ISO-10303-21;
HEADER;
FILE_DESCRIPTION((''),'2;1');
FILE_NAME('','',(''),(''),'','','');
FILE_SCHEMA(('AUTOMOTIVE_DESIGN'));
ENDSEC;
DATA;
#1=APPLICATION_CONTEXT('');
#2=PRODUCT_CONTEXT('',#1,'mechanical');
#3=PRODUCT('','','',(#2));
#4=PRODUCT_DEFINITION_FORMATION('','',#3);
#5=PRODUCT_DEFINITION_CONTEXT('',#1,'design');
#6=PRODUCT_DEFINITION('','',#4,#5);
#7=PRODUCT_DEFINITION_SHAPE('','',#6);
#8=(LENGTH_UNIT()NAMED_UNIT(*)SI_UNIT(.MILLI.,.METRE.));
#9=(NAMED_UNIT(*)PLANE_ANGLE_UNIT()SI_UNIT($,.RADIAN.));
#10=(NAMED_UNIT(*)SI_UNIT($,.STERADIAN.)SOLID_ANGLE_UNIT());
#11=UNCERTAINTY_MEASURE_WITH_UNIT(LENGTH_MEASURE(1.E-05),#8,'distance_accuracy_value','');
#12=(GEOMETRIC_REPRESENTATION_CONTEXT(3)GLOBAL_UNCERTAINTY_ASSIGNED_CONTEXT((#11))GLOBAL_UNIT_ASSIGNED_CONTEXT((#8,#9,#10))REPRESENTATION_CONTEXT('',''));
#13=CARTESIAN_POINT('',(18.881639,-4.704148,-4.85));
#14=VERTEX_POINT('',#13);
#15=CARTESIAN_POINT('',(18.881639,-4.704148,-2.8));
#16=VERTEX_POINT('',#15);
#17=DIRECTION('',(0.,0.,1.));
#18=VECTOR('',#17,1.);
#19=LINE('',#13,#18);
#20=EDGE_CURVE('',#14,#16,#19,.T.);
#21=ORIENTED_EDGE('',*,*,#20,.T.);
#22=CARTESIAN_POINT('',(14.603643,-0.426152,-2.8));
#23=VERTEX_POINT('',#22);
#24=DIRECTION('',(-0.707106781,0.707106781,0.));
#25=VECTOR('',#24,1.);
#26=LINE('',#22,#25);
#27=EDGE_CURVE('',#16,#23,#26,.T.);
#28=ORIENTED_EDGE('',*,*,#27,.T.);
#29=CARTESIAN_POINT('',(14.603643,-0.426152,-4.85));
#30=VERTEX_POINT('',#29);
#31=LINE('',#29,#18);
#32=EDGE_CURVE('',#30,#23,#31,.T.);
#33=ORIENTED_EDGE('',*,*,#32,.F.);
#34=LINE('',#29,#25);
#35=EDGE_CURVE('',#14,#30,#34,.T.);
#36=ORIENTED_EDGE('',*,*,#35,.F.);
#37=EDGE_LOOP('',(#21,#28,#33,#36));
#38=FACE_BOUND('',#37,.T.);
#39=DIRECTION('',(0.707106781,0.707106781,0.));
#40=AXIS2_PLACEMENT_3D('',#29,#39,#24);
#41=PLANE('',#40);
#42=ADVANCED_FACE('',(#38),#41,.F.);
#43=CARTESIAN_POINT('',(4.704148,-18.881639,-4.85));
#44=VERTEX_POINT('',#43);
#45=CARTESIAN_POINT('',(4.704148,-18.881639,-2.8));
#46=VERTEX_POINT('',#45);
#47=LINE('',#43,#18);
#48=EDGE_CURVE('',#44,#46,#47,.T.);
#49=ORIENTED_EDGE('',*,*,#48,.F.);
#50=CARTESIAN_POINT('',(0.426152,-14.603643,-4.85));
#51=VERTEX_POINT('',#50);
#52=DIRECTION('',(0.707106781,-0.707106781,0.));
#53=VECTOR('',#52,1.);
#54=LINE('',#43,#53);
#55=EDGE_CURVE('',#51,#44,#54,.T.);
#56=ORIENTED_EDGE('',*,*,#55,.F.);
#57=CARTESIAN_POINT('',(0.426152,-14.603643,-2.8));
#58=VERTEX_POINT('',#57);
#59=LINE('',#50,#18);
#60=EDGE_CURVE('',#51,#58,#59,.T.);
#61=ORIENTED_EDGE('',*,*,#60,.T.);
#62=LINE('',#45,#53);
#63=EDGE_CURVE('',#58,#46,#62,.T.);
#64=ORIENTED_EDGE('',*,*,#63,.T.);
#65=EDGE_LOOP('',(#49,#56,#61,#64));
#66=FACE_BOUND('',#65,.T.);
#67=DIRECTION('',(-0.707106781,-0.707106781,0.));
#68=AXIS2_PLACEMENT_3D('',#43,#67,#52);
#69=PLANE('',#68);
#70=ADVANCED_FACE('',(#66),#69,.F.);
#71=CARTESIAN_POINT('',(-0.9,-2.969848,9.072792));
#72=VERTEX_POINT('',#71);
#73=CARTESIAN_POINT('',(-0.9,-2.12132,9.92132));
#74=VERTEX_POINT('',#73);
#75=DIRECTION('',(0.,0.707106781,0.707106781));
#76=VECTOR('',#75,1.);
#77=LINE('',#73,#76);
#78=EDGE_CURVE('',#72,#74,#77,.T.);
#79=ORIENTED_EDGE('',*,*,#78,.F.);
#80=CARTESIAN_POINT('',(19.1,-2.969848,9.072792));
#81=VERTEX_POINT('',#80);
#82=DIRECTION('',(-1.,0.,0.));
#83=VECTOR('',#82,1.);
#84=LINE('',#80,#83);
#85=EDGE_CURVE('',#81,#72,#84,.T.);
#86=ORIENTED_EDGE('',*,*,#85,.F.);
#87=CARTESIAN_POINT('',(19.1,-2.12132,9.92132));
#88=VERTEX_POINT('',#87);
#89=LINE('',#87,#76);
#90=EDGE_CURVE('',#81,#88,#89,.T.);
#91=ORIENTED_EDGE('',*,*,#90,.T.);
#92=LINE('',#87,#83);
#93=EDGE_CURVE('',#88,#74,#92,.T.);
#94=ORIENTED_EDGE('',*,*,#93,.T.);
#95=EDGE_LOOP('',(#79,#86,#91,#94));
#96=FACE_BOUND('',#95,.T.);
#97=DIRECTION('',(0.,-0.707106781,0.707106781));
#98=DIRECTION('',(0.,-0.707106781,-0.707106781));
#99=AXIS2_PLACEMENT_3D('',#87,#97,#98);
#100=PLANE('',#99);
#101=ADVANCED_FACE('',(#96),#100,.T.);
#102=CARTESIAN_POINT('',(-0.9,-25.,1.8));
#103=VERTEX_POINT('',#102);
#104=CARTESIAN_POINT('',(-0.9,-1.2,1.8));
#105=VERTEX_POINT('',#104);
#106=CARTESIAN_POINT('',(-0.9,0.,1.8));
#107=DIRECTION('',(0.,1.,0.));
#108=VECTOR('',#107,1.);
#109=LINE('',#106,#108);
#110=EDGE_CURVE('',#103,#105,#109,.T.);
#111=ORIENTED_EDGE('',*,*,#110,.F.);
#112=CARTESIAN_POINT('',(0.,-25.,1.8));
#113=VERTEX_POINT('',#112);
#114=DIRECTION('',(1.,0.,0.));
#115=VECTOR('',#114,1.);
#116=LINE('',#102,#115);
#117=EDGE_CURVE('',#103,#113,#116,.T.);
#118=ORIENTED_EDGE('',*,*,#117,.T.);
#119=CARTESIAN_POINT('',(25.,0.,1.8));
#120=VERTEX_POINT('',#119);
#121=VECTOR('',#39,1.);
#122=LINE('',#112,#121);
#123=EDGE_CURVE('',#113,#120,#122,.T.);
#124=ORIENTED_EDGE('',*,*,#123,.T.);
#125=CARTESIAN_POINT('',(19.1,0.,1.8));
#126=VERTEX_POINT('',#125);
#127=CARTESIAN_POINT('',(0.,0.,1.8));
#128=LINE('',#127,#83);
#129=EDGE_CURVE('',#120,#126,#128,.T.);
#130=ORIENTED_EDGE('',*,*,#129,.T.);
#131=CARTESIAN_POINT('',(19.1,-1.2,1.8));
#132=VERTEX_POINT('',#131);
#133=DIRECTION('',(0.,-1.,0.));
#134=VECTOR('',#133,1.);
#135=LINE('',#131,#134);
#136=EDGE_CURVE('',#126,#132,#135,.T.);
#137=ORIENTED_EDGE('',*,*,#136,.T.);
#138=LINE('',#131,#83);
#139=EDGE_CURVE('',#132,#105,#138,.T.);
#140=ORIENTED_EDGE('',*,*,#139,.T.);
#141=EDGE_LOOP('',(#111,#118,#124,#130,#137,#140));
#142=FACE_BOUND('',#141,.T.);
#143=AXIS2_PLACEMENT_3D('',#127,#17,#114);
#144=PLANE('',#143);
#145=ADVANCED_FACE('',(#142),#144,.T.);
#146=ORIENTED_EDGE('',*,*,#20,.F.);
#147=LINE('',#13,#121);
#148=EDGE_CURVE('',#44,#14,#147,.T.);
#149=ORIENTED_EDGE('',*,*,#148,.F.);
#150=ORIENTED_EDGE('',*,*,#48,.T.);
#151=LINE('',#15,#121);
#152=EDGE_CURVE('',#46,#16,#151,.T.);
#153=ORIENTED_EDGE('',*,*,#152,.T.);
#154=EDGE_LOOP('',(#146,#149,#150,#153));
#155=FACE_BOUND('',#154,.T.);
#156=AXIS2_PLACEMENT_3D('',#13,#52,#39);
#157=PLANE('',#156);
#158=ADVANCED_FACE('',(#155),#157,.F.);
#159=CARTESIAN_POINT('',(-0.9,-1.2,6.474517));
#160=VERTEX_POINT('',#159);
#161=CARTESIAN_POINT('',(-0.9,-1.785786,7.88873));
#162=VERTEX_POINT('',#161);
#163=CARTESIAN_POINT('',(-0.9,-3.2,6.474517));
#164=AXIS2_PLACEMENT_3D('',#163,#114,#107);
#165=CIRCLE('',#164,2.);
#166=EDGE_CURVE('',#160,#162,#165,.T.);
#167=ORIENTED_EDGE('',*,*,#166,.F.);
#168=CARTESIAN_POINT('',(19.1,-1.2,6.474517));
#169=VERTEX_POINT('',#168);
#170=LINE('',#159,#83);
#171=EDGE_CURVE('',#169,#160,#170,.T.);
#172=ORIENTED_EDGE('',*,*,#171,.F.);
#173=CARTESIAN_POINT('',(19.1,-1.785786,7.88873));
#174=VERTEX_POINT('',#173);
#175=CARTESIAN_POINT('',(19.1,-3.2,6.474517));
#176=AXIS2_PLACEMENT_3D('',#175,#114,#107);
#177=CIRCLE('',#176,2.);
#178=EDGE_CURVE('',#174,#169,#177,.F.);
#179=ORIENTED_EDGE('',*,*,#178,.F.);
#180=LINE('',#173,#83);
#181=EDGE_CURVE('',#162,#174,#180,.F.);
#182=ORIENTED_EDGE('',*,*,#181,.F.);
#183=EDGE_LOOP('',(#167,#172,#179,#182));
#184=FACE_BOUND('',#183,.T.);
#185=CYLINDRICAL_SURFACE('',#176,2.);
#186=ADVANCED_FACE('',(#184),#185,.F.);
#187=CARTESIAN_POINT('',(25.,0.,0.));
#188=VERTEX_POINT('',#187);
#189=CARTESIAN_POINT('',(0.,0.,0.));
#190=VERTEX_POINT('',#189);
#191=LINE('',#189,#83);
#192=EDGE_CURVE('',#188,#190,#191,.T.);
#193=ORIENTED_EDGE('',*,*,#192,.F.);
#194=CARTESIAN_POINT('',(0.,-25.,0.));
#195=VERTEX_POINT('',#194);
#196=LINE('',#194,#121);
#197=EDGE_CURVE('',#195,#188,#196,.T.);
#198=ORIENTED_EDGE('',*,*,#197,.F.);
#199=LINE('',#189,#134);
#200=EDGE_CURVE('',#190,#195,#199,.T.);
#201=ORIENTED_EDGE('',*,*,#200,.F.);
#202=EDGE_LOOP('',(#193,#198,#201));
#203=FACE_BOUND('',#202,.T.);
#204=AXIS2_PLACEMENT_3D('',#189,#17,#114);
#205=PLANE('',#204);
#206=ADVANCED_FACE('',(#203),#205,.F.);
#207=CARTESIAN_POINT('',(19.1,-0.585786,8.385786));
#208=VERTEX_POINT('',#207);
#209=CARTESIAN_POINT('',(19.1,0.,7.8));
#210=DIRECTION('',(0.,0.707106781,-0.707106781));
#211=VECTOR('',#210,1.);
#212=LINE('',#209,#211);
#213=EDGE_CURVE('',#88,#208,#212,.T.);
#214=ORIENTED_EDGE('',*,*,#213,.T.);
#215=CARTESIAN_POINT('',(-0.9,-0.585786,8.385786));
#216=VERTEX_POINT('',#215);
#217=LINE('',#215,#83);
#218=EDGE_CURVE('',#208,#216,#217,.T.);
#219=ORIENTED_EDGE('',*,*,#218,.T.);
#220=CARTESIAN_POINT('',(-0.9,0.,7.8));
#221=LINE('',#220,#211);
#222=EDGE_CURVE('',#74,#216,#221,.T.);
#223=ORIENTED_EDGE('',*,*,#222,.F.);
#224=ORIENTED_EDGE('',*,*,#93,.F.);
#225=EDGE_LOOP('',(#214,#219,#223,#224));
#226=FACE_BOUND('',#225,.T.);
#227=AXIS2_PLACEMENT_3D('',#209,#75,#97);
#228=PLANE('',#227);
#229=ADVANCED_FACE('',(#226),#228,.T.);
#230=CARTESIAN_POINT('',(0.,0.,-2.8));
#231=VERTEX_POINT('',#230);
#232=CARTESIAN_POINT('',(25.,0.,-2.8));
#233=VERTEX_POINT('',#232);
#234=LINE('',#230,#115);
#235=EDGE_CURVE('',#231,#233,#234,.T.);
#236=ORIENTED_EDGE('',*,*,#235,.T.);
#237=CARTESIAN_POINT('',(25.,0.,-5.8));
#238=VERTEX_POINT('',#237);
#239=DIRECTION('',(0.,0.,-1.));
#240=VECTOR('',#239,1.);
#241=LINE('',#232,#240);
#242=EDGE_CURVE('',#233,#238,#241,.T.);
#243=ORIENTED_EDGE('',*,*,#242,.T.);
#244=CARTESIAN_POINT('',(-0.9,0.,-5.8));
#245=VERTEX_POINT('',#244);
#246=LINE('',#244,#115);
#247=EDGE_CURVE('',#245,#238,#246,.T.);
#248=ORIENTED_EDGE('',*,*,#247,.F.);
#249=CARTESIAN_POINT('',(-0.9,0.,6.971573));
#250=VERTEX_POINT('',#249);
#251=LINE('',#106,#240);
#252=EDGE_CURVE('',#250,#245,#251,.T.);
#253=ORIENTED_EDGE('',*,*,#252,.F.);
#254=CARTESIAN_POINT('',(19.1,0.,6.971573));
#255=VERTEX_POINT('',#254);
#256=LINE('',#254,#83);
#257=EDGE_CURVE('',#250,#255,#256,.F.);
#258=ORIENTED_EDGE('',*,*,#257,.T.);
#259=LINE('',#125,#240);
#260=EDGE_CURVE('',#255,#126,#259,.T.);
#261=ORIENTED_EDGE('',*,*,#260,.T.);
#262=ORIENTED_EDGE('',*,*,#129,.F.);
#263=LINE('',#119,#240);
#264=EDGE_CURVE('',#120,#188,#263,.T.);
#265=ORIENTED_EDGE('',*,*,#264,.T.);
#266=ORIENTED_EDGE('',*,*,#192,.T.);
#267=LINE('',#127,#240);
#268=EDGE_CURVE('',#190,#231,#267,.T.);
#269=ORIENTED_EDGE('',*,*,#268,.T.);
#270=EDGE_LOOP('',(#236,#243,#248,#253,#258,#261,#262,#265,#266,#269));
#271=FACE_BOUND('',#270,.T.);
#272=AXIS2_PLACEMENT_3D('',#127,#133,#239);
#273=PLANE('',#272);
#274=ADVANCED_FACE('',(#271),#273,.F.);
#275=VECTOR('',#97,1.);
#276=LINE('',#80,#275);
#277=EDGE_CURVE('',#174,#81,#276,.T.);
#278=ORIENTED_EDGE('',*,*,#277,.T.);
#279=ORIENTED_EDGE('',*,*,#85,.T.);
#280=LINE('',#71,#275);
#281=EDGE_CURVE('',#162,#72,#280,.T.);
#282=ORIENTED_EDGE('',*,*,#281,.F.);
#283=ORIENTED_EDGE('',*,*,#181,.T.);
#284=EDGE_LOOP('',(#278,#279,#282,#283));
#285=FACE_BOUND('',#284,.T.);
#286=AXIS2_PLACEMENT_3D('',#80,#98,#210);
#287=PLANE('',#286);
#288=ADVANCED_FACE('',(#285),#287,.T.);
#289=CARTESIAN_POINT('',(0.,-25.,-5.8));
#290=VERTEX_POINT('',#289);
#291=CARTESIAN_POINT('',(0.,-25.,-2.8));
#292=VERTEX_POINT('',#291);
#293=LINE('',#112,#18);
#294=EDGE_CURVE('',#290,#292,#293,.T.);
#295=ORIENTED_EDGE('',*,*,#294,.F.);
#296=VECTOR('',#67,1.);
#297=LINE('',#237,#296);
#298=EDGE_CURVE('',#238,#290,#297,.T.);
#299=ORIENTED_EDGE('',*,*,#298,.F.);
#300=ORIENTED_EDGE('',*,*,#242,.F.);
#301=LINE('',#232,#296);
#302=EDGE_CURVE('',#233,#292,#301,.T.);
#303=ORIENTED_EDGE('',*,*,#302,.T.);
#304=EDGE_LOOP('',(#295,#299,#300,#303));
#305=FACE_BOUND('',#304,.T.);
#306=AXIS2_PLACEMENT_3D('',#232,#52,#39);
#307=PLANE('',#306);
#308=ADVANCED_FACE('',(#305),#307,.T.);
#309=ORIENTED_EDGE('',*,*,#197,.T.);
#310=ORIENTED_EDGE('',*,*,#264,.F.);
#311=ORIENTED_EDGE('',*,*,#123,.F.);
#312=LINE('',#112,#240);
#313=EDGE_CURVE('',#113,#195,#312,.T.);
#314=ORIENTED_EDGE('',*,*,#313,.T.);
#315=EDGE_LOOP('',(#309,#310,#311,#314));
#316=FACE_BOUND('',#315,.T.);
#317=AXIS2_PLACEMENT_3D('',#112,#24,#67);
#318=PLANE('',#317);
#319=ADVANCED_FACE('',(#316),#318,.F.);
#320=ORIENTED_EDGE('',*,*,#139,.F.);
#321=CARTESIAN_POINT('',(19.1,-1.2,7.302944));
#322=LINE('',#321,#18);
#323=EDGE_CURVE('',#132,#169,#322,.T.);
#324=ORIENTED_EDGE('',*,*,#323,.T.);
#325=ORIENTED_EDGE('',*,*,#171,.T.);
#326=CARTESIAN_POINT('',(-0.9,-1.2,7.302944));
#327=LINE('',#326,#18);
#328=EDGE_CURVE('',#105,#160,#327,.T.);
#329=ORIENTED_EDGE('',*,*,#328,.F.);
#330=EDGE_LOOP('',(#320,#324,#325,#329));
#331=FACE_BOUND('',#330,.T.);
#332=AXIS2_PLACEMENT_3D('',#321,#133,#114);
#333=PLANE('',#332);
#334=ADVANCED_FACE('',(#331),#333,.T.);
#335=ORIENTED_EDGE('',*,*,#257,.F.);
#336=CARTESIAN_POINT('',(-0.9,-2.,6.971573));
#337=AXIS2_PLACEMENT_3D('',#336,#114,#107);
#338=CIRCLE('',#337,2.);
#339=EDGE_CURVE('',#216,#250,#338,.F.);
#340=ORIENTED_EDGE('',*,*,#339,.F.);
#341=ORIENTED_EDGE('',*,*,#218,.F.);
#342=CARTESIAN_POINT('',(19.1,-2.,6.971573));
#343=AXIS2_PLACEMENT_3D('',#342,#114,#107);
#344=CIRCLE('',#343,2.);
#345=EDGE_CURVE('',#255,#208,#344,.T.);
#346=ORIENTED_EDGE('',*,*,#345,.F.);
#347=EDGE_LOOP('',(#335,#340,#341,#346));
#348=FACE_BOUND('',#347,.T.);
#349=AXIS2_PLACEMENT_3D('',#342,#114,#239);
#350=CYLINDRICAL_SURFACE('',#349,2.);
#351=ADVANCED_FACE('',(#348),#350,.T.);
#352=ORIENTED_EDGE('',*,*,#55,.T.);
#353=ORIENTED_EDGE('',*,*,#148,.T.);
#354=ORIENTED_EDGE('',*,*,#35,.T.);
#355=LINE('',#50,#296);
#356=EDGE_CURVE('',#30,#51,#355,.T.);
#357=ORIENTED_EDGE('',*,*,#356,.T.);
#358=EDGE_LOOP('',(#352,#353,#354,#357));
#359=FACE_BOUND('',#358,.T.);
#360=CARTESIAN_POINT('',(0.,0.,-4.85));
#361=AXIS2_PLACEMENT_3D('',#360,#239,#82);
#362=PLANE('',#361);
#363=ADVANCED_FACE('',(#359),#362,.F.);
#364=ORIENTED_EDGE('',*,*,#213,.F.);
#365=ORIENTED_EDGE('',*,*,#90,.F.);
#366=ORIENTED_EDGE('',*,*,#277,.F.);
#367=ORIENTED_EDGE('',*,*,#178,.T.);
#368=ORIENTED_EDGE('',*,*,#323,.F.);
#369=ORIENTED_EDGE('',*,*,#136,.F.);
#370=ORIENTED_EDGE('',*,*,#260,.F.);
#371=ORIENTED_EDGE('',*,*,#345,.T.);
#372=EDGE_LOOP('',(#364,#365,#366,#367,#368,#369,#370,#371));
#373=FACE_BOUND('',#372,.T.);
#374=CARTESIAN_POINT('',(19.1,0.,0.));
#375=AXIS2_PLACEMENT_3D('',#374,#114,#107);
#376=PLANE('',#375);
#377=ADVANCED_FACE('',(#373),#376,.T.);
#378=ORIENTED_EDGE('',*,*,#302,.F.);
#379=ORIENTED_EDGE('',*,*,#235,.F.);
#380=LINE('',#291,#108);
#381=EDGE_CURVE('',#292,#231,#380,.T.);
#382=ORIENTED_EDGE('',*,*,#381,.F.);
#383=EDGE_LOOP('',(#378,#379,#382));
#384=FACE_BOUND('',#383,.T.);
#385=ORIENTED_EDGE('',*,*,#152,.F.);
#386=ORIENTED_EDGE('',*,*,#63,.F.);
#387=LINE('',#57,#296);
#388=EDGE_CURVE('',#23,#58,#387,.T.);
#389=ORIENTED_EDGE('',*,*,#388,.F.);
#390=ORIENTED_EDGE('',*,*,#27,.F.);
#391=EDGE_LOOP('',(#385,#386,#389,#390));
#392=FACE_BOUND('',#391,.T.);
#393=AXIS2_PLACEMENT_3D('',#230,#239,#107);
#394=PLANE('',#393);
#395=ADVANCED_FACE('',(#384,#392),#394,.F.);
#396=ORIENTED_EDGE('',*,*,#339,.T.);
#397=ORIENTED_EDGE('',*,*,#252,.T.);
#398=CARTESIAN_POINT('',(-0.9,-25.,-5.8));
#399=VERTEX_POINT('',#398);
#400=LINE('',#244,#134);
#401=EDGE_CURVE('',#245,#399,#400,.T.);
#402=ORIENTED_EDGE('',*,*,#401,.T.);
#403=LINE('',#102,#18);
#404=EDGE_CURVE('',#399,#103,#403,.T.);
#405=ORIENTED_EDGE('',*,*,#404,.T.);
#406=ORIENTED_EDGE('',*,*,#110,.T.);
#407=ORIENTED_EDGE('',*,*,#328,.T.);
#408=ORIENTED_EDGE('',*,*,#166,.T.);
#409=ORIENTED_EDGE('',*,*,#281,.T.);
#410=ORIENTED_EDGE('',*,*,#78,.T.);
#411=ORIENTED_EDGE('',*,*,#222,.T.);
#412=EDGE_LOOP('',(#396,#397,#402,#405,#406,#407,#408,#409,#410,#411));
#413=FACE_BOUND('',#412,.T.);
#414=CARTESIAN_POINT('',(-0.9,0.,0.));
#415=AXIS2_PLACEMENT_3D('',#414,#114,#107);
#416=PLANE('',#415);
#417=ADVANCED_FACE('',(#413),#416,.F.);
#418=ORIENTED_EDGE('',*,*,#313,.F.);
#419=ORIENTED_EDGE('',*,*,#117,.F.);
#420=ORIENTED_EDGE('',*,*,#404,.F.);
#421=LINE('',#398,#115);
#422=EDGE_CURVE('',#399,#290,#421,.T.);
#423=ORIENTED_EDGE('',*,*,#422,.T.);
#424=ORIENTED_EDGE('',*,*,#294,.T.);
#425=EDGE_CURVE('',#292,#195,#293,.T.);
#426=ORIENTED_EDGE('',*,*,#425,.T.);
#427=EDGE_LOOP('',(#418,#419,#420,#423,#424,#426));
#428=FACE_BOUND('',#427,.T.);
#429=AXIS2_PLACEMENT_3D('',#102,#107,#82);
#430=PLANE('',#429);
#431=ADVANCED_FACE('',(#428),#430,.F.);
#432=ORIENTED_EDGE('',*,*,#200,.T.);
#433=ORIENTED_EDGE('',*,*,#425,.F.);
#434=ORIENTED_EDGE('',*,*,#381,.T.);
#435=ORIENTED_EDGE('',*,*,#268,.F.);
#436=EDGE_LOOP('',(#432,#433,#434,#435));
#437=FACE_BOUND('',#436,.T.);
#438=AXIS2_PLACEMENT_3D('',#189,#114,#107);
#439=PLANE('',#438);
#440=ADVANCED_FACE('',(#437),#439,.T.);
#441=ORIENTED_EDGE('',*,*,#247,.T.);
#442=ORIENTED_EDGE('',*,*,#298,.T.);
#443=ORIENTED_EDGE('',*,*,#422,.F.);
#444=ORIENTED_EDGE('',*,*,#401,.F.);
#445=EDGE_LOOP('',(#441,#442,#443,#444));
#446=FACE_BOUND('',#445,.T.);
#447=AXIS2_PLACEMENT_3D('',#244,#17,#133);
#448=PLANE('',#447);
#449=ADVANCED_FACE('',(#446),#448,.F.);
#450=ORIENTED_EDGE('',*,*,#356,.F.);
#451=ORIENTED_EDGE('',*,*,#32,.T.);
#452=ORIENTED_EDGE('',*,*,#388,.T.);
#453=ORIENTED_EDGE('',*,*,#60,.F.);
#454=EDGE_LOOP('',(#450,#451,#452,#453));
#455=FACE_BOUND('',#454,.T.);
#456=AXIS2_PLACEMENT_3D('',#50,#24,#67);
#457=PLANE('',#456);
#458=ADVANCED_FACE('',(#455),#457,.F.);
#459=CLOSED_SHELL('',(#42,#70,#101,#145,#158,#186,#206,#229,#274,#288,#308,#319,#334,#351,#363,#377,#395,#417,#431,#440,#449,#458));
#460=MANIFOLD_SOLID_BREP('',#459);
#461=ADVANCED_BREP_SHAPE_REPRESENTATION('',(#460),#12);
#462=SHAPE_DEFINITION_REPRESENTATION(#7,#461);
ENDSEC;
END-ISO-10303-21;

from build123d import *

# Parameters (mm, degrees)
SALIENTE_EXTRUIR1_DEPTH = 1.8
CROQUIS2_W              = 7.6
CROQUIS2_H              = 25
SALIENTE_EXTRUIR2_DEPTH = 0.9
SALIENTE_EXTRUIR3_DEPTH = 3
CORTAR_EXTRUIR1_DEPTH   = 2.05
SALIENTE_EXTRUIR4_DEPTH = 20
REDONDEO1_R             = 2


with BuildPart() as part:
    # Croquis1 → Saliente-Extruir1 (new body)
    with BuildSketch(Plane.XY):
        Polygon((0, 0), (25, 0), (0, -25), align=None)
    extrude(amount=SALIENTE_EXTRUIR1_DEPTH)

    # Croquis2 → Saliente-Extruir2 (add)
    with BuildSketch(Plane.ZY):
        with Locations((-2, -12.5)):
            Rectangle(CROQUIS2_W, CROQUIS2_H)
    extrude(amount=SALIENTE_EXTRUIR2_DEPTH)

    # Croquis3 → Saliente-Extruir3 (add)
    with BuildSketch(Plane(origin=(0, 0, -5.8), x_dir=(-1, 0, 0), z_dir=(0, 0, -1))):
        Polygon((0, 0), (-25, 0), (0, -25), align=None)
    extrude(amount=-SALIENTE_EXTRUIR3_DEPTH)

    # Croquis4 → Cortar-Extruir1 (cut)
    with BuildSketch(Plane.XY.offset(-2.8)):
        Polygon((18.8816387, -4.704147737), (4.704147737, -18.8816387), (0.426151711, -14.603642674), (14.603642674, -0.426151711), align=None)
    extrude(amount=-CORTAR_EXTRUIR1_DEPTH, mode=Mode.SUBTRACT)

    # Croquis5 → Saliente-Extruir4 (add)
    with BuildSketch(Plane.ZY.offset(0.9)):
        Polygon((1.8, 0), (7.8, 0), (9.921320344, -2.121320344), (9.072792206, -2.969848481), (7.302943725, -1.2), (1.8, -1.2), align=None)
    extrude(amount=-SALIENTE_EXTRUIR4_DEPTH)

    # Redondeo1
    redondeo1_edges = [part.edges().sort_by_distance(p)[0] for p in [
        (9.1, 0, 7.8),
        (9.1, -1.2, 7.302943725),
    ]]
    fillet(redondeo1_edges, radius=REDONDEO1_R)


solid = part.part
